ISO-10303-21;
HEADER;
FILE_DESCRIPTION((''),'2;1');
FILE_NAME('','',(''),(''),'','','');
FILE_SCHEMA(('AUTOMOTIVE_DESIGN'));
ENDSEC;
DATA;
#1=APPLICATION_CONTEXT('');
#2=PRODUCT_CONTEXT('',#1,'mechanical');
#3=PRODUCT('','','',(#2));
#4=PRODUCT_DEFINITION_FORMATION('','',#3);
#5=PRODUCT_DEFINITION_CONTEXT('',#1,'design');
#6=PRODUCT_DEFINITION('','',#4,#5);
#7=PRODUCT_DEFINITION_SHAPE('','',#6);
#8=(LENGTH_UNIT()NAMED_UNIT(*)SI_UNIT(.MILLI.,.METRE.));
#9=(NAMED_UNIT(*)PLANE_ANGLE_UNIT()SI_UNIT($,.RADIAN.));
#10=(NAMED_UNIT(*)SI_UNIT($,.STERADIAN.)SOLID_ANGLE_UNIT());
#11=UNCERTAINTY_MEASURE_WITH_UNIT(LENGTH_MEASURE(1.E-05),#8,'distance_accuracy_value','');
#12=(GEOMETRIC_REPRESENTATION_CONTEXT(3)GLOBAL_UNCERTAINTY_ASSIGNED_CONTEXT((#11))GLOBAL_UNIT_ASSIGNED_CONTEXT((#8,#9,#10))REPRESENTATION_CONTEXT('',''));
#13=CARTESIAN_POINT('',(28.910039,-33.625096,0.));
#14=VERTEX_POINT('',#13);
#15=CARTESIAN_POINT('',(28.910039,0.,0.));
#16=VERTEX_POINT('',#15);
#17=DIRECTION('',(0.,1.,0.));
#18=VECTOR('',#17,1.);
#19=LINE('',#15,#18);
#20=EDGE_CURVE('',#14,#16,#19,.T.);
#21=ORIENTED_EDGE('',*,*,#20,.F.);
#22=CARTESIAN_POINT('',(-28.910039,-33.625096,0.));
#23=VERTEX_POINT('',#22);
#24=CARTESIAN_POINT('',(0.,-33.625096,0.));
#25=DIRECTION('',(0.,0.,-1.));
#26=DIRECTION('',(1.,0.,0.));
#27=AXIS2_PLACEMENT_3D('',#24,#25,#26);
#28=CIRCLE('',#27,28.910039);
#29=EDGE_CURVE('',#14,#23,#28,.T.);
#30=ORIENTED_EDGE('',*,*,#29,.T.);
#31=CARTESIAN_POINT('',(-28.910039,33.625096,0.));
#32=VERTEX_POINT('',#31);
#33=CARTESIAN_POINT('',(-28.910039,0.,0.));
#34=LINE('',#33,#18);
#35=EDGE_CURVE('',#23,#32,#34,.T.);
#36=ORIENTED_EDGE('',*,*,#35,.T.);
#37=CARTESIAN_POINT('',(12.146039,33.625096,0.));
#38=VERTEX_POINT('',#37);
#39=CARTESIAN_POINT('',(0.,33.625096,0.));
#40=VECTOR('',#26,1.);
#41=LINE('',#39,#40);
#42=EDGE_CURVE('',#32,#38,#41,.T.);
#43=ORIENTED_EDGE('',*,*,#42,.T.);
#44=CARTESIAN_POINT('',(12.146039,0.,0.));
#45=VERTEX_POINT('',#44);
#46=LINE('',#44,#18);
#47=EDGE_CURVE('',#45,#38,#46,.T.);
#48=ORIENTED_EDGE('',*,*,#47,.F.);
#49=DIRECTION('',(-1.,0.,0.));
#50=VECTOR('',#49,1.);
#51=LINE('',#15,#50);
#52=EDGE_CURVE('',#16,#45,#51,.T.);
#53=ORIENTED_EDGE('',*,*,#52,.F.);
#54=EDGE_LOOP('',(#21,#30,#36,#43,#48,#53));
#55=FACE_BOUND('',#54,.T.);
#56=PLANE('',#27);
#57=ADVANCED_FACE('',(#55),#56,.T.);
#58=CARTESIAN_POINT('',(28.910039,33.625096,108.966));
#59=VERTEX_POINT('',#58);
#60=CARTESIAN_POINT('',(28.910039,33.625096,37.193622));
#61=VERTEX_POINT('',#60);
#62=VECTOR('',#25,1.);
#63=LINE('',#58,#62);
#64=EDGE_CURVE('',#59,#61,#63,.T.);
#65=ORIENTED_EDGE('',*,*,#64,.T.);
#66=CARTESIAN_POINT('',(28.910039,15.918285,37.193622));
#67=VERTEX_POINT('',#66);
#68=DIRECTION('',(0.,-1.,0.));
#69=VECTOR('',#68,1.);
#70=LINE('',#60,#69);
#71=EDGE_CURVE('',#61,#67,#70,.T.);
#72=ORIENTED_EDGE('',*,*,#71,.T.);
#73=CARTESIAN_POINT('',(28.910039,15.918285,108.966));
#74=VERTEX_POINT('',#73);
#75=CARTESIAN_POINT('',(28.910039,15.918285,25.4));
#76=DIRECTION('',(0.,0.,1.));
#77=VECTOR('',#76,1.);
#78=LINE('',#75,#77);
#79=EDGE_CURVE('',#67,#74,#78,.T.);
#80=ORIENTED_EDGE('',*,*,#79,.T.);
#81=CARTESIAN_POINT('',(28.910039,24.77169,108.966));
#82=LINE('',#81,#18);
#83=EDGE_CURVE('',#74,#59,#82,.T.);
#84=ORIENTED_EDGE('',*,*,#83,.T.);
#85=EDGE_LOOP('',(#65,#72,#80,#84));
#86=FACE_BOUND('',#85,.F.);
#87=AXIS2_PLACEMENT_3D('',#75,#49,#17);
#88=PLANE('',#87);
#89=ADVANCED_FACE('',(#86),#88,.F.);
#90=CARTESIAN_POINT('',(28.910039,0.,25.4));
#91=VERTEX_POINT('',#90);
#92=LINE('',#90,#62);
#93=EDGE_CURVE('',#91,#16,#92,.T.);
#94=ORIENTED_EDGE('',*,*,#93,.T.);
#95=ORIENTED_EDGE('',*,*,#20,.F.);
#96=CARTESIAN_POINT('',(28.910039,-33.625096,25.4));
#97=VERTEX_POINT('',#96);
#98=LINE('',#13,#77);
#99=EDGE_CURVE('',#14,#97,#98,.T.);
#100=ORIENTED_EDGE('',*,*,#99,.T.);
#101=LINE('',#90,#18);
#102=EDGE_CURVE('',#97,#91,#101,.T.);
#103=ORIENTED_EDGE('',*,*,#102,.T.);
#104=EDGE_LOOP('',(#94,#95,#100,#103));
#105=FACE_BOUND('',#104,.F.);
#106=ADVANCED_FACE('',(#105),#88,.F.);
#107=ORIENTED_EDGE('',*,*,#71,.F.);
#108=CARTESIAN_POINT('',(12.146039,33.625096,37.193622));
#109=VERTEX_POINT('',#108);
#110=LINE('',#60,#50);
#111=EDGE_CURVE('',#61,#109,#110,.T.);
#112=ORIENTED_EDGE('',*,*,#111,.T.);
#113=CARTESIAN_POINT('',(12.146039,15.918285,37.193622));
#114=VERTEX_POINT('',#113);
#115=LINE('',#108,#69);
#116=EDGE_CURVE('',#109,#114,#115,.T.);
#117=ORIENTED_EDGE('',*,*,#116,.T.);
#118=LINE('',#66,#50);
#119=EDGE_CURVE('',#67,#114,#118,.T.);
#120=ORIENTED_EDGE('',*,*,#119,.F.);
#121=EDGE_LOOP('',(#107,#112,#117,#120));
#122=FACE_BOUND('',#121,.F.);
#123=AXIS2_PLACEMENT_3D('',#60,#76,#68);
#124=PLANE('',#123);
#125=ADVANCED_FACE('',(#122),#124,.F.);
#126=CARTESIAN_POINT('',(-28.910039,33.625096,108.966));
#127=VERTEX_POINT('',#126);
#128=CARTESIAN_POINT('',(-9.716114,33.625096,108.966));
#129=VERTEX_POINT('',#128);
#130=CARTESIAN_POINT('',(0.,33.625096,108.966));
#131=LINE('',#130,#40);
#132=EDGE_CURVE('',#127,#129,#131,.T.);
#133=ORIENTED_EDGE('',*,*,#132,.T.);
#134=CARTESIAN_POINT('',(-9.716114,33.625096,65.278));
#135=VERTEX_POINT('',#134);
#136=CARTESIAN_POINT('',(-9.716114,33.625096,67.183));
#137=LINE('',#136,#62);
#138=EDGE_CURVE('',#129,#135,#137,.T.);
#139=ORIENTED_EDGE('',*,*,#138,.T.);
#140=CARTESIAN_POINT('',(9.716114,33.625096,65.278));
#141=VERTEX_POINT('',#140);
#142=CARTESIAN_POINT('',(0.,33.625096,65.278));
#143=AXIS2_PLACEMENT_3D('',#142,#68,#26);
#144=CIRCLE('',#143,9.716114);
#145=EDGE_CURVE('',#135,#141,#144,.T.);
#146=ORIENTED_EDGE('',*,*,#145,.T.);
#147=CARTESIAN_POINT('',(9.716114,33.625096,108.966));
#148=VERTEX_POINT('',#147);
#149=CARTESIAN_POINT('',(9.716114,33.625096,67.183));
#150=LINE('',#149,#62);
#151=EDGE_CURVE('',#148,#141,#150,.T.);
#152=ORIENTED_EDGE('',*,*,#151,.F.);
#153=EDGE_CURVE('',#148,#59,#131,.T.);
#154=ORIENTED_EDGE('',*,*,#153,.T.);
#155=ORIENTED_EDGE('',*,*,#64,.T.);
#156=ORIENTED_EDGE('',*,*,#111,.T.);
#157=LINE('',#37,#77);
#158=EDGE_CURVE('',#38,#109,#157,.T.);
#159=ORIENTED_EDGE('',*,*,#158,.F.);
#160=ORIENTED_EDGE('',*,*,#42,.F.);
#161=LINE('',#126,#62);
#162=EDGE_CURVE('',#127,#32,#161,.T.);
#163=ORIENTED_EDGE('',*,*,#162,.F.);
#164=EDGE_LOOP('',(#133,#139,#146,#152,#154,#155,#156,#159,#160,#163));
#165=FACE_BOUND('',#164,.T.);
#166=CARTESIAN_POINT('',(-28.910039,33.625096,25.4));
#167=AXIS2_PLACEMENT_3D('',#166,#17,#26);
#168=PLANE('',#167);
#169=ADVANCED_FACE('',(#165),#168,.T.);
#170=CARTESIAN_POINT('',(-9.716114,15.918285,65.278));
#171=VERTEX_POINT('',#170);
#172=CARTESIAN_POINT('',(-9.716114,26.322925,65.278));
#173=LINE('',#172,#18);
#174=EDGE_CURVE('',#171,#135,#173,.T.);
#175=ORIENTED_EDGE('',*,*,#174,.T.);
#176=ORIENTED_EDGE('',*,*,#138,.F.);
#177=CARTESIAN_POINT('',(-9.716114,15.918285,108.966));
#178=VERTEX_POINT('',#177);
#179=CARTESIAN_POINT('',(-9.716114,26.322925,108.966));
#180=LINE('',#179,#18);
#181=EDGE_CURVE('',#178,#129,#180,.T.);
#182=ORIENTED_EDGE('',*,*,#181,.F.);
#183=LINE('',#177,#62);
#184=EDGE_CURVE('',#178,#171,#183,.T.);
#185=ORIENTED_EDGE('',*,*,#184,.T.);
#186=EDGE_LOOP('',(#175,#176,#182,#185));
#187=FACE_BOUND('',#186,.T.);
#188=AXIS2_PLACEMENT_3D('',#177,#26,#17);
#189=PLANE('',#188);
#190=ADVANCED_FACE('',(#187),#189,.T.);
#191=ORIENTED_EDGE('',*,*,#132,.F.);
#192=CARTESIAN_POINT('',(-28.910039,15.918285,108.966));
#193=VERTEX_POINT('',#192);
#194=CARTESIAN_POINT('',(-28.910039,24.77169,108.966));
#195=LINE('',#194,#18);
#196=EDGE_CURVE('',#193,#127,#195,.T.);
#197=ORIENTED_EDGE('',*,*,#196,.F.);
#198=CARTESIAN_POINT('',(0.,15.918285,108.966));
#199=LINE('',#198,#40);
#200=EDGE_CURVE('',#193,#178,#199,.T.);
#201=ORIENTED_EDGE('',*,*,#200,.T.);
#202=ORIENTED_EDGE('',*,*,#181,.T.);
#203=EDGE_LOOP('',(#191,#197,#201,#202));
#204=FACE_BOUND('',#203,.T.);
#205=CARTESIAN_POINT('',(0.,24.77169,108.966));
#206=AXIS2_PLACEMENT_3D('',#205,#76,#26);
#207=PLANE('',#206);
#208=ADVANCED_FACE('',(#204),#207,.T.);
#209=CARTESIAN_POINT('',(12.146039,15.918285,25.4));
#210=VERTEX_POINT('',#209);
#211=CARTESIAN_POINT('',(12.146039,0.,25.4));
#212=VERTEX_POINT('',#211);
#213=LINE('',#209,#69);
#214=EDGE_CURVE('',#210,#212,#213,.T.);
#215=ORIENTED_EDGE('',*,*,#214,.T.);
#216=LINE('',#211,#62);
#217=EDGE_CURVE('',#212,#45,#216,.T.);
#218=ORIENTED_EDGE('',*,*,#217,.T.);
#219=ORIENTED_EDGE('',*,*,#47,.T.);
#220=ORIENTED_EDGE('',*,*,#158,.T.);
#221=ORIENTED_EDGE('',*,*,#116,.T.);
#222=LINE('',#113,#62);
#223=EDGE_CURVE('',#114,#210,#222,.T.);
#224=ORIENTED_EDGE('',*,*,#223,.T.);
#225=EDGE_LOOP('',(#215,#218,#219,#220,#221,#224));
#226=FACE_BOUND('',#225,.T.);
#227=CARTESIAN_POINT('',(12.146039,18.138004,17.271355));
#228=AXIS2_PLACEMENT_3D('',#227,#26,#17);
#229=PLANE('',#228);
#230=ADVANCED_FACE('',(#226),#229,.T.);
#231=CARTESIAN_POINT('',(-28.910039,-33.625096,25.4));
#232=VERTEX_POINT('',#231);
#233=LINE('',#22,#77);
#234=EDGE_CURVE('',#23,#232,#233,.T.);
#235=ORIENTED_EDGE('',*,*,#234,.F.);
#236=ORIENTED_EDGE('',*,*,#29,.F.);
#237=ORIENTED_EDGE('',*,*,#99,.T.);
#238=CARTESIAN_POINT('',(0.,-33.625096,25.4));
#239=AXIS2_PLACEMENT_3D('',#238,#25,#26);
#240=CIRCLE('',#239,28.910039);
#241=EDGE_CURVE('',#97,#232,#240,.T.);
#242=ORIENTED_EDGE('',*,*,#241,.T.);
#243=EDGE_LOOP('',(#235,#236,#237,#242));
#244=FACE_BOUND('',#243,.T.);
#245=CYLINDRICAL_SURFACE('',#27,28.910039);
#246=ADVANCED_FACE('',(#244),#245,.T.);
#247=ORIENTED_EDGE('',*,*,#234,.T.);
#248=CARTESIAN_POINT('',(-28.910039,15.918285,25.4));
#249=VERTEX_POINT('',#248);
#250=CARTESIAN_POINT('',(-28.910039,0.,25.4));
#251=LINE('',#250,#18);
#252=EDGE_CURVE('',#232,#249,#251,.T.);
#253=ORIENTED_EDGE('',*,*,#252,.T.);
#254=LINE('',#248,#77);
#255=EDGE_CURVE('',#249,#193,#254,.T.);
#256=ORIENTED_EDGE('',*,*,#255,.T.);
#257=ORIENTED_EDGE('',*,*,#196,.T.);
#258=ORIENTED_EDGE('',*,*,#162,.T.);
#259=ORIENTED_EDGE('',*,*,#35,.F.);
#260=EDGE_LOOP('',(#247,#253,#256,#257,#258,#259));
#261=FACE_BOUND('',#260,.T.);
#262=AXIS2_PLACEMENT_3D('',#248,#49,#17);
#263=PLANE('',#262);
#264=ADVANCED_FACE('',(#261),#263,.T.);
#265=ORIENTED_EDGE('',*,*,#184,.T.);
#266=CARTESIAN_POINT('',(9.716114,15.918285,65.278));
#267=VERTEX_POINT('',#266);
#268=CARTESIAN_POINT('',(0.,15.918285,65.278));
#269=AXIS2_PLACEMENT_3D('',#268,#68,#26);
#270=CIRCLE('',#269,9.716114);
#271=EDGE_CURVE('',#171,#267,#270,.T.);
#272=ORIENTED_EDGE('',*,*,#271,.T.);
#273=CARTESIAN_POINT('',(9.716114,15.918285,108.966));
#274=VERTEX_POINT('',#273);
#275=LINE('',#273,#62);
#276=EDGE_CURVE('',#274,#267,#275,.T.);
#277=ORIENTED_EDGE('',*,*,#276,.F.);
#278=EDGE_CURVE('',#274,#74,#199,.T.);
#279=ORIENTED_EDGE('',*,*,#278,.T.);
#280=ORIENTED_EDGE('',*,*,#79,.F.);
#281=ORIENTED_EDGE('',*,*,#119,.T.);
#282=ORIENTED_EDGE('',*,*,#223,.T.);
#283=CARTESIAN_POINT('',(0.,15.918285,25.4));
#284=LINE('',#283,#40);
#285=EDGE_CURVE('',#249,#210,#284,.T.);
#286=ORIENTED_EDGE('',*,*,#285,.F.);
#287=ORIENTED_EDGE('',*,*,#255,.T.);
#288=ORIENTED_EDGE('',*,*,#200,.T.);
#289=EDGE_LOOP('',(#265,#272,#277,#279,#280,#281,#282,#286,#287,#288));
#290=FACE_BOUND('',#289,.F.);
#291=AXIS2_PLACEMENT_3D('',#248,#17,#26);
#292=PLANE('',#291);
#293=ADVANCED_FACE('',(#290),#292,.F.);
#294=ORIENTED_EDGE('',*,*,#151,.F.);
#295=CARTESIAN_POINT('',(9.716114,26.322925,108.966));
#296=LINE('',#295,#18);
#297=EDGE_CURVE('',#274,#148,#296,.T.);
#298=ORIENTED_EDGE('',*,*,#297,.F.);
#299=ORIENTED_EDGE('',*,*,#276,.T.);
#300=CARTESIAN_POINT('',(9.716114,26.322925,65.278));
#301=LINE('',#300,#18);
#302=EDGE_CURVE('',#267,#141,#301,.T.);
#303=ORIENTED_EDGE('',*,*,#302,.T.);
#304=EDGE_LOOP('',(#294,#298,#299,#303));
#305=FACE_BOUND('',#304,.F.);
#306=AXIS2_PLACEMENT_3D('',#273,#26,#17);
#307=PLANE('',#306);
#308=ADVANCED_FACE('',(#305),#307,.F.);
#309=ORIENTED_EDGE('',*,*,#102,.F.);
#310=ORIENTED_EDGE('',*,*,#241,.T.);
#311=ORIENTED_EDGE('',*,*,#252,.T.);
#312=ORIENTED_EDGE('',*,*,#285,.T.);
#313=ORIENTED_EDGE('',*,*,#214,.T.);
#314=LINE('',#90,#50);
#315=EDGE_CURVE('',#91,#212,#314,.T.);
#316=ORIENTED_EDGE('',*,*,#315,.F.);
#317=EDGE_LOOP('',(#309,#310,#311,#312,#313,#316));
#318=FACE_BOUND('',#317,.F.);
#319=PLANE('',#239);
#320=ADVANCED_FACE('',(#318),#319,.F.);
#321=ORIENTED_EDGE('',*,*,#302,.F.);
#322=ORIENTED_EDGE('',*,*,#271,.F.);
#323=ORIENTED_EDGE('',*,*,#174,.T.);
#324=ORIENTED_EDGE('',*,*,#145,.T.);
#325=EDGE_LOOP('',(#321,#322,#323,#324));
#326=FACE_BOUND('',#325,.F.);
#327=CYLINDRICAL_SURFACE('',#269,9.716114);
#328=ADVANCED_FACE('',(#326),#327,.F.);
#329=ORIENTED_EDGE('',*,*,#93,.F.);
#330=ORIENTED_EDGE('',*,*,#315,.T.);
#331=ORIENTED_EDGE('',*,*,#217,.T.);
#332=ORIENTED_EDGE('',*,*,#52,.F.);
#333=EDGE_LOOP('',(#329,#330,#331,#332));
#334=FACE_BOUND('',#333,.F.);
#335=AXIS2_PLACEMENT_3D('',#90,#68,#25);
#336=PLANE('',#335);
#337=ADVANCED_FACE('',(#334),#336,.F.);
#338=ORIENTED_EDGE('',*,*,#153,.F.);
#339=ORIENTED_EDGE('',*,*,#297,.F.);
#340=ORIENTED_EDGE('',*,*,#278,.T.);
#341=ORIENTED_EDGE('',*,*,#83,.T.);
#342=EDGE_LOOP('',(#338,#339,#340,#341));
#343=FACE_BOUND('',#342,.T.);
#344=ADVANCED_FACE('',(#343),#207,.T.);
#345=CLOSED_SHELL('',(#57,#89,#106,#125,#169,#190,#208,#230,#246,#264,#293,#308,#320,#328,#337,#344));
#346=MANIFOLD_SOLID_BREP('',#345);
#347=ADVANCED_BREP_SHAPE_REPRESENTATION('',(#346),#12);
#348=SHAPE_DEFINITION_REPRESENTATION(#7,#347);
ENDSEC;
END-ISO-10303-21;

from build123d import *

# Parameters (mm, degrees)
F0_W      = 57.8200779855
F0_H      = 67.2501921654
F1_DEPTH  = 25.4
F2_W      = 57.8200779855
F2_H      = 17.7068114281
F3_DEPTH  = 83.566
F4_W      = 19.4322280586
F4_H      = 20.8092816174
F5_DEPTH  = 43.688
F6_R      = 9.7161140293
F7_DEPTH  = 25.4
F9_DEPTH  = 16.764
F10_R     = 28.9100389928
F11_DEPTH = 25.4


with BuildPart() as f1:
    # F0 (on Top) → F1 (new body)
    with BuildSketch(Plane.XY):
        Rectangle(F0_W, F0_H)
    extrude(amount=F1_DEPTH)

    # F2 (on face) → F3 (join)
    with BuildSketch(Plane.XY.offset(25.4)):
        with Locations((0, 24.7716903687)):
            Rectangle(F2_W, F2_H)
    extrude(amount=F3_DEPTH)

    # F4 (on face) → F5 (cut)
    with BuildSketch(Plane.XY.offset(108.966)):
        with Locations((0, 26.3229254633)):
            Rectangle(F4_W, F4_H)
    extrude(amount=-F5_DEPTH, mode=Mode.SUBTRACT)

    # F6 (on face) → F7 (cut)
    with BuildSketch(Plane.XZ.offset(-15.9182846546)):
        with Locations((0, 65.278)):
            Circle(F6_R)
    extrude(amount=-F7_DEPTH, mode=Mode.SUBTRACT)

    # F8 (on face) → F9 (cut)
    with BuildSketch(Plane.YZ.offset(28.9100389928)):
        Polygon((15.9182846546, 25.4), (0, 25.4), (0, 0), (33.6250960827, 0), (33.6250960827, 37.1936224401), (15.9182846546, 37.1936224401), align=None)
    extrude(amount=-F9_DEPTH, mode=Mode.SUBTRACT)

    # F10 (on face) → F11 (join)
    with BuildSketch(Plane(origin=(0, 0, 0), x_dir=(1, 0, 0), z_dir=(0, 0, -1))):
        with Locations((0, 33.6250960827)):
            Circle(F10_R)
    extrude(amount=-F11_DEPTH)


solid = f1.part
